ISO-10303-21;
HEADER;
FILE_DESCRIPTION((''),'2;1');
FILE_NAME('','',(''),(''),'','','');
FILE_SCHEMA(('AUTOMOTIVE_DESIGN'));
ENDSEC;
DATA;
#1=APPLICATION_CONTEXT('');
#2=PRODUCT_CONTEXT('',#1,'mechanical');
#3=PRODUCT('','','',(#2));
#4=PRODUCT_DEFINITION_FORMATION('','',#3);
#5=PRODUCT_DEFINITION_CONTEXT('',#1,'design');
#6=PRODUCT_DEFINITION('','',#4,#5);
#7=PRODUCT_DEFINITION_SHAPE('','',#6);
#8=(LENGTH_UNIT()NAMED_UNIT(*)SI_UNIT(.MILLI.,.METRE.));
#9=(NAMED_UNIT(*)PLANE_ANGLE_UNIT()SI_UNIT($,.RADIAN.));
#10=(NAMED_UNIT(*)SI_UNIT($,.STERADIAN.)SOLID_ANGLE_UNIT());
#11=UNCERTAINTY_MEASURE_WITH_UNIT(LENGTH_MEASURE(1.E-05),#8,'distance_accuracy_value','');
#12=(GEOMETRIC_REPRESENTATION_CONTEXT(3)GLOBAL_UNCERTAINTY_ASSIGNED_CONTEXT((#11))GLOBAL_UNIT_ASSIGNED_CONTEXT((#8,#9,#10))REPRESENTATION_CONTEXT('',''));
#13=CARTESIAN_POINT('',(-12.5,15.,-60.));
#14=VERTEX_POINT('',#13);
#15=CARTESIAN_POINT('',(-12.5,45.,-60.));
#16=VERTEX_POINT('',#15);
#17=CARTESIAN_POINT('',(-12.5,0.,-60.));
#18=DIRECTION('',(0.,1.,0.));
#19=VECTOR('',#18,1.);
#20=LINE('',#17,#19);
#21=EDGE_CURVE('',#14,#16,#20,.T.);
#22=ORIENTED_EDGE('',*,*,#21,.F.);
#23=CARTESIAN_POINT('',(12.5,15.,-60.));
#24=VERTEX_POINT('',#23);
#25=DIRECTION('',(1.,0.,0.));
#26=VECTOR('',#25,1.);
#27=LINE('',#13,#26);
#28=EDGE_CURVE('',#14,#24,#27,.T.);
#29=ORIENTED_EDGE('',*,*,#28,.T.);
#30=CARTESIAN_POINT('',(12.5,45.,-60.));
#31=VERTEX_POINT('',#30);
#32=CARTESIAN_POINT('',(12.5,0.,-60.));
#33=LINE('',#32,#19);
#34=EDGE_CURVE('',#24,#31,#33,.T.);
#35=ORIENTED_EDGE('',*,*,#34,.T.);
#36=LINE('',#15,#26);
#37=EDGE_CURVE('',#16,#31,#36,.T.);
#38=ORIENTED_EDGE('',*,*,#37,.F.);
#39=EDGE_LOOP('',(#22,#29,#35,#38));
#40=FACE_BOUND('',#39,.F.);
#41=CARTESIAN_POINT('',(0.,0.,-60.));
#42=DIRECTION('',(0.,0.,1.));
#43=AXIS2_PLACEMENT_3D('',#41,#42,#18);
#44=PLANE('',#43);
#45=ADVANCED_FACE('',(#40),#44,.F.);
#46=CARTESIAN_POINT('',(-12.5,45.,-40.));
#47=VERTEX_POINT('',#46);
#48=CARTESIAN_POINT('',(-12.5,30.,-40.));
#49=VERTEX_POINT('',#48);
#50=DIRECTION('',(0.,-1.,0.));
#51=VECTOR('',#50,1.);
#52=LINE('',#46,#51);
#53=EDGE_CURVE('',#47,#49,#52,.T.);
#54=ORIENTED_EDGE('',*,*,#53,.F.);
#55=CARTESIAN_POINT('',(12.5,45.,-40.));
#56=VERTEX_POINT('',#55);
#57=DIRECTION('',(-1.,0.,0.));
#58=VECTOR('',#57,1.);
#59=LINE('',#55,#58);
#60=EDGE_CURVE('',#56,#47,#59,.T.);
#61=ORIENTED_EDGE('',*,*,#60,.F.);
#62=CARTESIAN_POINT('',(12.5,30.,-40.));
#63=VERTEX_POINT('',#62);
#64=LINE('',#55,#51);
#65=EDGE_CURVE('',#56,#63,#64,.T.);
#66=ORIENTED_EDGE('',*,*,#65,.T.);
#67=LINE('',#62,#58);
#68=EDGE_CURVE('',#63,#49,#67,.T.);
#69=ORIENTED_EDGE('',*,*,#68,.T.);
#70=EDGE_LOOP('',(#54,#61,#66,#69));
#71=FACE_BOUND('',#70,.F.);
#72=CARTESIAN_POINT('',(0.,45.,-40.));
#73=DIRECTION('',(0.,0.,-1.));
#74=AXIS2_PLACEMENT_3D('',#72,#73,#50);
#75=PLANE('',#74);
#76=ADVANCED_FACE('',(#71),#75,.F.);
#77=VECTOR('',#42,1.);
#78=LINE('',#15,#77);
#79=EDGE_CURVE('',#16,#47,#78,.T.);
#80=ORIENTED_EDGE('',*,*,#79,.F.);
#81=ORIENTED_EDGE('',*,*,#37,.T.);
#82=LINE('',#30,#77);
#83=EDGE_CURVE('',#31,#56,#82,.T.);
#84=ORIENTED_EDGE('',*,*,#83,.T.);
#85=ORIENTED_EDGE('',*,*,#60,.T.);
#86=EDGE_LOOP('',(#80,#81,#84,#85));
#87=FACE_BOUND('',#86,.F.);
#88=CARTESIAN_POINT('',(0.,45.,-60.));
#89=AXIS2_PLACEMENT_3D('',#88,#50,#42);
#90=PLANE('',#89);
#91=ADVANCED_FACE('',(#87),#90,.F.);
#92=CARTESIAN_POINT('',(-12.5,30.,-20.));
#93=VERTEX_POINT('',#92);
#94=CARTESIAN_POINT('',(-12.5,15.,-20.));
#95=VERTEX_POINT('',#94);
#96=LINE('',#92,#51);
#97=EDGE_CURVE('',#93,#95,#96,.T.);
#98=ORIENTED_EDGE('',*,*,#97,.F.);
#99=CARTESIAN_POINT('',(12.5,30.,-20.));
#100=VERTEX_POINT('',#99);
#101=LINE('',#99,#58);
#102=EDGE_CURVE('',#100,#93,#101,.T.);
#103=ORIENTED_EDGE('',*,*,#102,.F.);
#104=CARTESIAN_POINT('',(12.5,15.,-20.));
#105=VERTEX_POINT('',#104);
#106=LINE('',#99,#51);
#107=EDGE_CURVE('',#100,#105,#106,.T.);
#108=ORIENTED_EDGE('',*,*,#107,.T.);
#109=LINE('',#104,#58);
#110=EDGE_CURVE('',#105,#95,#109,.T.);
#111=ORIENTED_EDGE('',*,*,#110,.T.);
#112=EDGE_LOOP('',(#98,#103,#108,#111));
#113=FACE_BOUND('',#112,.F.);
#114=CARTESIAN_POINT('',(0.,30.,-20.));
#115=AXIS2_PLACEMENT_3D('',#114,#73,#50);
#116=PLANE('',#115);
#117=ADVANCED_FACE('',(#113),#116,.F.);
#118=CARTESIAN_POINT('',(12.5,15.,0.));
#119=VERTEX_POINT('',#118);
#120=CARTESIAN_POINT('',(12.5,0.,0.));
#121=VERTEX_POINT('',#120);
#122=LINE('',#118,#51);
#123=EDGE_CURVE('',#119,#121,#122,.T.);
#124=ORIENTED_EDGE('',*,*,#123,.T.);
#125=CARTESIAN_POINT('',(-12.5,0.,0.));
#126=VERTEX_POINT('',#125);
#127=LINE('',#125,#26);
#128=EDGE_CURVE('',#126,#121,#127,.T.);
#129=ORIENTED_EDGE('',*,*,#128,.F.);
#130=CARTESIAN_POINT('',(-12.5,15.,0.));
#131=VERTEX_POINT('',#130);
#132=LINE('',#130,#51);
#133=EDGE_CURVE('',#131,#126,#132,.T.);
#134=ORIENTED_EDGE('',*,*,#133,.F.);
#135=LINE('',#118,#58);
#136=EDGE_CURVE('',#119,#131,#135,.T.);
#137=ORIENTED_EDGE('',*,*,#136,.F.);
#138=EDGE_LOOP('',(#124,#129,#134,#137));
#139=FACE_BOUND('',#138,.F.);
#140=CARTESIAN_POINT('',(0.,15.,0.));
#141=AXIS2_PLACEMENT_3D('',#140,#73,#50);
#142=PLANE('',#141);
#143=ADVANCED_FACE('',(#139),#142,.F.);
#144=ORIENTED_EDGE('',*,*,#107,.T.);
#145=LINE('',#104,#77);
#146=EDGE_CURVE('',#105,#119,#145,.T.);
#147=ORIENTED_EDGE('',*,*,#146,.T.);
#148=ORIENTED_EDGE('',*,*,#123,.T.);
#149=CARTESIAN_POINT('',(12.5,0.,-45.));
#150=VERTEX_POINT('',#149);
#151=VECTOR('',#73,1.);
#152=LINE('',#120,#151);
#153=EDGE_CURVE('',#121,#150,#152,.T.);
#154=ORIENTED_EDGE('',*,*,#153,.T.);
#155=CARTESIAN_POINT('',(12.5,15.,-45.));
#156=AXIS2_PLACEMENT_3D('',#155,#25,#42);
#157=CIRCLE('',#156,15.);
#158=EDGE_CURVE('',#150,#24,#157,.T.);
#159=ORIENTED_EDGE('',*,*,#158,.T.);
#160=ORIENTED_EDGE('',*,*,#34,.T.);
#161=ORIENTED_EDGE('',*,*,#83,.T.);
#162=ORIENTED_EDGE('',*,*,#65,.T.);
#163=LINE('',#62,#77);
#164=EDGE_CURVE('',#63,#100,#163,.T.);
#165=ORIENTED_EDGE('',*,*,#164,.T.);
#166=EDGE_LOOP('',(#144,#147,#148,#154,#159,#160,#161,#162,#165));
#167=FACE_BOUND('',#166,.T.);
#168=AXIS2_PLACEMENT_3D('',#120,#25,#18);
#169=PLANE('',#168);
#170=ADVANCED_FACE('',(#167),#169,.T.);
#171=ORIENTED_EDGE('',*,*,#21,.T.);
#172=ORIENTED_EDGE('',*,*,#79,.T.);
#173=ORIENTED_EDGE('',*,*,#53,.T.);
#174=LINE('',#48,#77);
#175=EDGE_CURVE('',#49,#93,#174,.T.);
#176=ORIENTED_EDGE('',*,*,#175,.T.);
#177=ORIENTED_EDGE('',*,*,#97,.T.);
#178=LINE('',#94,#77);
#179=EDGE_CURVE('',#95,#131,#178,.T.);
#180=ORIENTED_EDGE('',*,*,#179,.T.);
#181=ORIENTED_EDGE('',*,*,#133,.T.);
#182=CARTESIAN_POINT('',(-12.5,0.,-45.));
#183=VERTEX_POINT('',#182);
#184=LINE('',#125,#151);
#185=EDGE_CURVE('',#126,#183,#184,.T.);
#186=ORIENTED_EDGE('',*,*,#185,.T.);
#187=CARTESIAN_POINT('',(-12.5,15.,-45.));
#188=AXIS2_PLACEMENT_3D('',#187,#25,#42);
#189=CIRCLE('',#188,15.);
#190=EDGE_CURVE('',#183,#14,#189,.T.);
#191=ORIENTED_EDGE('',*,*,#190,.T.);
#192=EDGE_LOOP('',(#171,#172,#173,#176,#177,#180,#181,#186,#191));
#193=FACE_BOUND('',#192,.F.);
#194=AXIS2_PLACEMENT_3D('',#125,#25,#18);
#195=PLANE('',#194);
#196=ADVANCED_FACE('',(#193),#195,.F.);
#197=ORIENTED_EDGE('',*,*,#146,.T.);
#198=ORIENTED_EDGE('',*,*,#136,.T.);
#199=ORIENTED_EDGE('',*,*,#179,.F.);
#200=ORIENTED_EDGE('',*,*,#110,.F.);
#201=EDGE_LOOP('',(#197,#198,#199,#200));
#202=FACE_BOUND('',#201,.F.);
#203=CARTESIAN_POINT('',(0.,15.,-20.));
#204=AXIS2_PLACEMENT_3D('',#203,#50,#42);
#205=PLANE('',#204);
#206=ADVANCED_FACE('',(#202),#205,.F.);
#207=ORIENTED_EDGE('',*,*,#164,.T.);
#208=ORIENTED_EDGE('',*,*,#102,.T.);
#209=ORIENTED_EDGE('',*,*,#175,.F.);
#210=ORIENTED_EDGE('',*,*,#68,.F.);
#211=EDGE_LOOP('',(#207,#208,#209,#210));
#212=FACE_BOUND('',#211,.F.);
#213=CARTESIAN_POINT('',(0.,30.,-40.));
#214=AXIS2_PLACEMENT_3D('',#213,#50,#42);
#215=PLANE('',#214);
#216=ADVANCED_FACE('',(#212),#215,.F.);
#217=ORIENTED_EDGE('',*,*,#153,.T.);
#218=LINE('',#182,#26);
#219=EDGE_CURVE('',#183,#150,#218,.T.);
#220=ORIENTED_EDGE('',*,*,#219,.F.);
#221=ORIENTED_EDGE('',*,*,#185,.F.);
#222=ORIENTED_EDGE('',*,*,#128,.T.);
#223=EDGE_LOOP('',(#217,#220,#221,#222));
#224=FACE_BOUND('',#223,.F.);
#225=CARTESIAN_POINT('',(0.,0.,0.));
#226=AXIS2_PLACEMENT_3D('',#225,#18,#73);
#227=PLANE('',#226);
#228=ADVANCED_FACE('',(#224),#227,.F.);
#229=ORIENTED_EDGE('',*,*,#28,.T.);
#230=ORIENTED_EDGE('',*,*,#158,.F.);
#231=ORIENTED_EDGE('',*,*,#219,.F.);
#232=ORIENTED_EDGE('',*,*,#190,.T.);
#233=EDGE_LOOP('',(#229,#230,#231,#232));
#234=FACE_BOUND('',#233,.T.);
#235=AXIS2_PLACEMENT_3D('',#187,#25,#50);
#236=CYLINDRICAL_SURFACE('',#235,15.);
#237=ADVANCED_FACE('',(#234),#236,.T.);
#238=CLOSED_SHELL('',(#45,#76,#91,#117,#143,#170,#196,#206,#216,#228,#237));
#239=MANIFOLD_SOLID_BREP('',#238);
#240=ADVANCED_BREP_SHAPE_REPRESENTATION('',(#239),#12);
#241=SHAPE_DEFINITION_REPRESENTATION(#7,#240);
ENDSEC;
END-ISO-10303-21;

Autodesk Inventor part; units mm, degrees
ref_plane "YZ Plane" through (0, 0, 0) normal (1, 0, 0) x (0, 1, 0)
ref_plane "XZ Plane" through (0, 0, 0) normal (0, 1, 0) x (-1, 0, 0)
ref_plane "XY Plane" through (0, 0, 0) normal (0, 0, 1) x (1, 0, 0)
sketch "Sketch1" plane through (0, 0, 0) normal (1, 0, 0) x (0, 1, 0)
  line L0 (0, 0) -> (0, -60)
  line L1 (0, -60) -> (45, -60)
  line L2 (45, -60) -> (45, -40)
  line L3 (45, -40) -> (30, -40)
  line L4 (30, -40) -> (30, -20)
  line L5 (30, -20) -> (15, -20)
  line L6 (15, -20) -> (15, 0)
  line L7 (15, 0) -> (0, 0)
  dimension "d0" = 60
  dimension "d1" = 45
  dimension "d2" = 20
  dimension "d3" = 15
  dimension "d4" = 15
  dimension "d5" = 20
extrude "Extrusion1" add sketch "Sketch1" along normal mid plane 25
fillet "Fillet1" radius 15 1 edges at (0, 0, -60)
